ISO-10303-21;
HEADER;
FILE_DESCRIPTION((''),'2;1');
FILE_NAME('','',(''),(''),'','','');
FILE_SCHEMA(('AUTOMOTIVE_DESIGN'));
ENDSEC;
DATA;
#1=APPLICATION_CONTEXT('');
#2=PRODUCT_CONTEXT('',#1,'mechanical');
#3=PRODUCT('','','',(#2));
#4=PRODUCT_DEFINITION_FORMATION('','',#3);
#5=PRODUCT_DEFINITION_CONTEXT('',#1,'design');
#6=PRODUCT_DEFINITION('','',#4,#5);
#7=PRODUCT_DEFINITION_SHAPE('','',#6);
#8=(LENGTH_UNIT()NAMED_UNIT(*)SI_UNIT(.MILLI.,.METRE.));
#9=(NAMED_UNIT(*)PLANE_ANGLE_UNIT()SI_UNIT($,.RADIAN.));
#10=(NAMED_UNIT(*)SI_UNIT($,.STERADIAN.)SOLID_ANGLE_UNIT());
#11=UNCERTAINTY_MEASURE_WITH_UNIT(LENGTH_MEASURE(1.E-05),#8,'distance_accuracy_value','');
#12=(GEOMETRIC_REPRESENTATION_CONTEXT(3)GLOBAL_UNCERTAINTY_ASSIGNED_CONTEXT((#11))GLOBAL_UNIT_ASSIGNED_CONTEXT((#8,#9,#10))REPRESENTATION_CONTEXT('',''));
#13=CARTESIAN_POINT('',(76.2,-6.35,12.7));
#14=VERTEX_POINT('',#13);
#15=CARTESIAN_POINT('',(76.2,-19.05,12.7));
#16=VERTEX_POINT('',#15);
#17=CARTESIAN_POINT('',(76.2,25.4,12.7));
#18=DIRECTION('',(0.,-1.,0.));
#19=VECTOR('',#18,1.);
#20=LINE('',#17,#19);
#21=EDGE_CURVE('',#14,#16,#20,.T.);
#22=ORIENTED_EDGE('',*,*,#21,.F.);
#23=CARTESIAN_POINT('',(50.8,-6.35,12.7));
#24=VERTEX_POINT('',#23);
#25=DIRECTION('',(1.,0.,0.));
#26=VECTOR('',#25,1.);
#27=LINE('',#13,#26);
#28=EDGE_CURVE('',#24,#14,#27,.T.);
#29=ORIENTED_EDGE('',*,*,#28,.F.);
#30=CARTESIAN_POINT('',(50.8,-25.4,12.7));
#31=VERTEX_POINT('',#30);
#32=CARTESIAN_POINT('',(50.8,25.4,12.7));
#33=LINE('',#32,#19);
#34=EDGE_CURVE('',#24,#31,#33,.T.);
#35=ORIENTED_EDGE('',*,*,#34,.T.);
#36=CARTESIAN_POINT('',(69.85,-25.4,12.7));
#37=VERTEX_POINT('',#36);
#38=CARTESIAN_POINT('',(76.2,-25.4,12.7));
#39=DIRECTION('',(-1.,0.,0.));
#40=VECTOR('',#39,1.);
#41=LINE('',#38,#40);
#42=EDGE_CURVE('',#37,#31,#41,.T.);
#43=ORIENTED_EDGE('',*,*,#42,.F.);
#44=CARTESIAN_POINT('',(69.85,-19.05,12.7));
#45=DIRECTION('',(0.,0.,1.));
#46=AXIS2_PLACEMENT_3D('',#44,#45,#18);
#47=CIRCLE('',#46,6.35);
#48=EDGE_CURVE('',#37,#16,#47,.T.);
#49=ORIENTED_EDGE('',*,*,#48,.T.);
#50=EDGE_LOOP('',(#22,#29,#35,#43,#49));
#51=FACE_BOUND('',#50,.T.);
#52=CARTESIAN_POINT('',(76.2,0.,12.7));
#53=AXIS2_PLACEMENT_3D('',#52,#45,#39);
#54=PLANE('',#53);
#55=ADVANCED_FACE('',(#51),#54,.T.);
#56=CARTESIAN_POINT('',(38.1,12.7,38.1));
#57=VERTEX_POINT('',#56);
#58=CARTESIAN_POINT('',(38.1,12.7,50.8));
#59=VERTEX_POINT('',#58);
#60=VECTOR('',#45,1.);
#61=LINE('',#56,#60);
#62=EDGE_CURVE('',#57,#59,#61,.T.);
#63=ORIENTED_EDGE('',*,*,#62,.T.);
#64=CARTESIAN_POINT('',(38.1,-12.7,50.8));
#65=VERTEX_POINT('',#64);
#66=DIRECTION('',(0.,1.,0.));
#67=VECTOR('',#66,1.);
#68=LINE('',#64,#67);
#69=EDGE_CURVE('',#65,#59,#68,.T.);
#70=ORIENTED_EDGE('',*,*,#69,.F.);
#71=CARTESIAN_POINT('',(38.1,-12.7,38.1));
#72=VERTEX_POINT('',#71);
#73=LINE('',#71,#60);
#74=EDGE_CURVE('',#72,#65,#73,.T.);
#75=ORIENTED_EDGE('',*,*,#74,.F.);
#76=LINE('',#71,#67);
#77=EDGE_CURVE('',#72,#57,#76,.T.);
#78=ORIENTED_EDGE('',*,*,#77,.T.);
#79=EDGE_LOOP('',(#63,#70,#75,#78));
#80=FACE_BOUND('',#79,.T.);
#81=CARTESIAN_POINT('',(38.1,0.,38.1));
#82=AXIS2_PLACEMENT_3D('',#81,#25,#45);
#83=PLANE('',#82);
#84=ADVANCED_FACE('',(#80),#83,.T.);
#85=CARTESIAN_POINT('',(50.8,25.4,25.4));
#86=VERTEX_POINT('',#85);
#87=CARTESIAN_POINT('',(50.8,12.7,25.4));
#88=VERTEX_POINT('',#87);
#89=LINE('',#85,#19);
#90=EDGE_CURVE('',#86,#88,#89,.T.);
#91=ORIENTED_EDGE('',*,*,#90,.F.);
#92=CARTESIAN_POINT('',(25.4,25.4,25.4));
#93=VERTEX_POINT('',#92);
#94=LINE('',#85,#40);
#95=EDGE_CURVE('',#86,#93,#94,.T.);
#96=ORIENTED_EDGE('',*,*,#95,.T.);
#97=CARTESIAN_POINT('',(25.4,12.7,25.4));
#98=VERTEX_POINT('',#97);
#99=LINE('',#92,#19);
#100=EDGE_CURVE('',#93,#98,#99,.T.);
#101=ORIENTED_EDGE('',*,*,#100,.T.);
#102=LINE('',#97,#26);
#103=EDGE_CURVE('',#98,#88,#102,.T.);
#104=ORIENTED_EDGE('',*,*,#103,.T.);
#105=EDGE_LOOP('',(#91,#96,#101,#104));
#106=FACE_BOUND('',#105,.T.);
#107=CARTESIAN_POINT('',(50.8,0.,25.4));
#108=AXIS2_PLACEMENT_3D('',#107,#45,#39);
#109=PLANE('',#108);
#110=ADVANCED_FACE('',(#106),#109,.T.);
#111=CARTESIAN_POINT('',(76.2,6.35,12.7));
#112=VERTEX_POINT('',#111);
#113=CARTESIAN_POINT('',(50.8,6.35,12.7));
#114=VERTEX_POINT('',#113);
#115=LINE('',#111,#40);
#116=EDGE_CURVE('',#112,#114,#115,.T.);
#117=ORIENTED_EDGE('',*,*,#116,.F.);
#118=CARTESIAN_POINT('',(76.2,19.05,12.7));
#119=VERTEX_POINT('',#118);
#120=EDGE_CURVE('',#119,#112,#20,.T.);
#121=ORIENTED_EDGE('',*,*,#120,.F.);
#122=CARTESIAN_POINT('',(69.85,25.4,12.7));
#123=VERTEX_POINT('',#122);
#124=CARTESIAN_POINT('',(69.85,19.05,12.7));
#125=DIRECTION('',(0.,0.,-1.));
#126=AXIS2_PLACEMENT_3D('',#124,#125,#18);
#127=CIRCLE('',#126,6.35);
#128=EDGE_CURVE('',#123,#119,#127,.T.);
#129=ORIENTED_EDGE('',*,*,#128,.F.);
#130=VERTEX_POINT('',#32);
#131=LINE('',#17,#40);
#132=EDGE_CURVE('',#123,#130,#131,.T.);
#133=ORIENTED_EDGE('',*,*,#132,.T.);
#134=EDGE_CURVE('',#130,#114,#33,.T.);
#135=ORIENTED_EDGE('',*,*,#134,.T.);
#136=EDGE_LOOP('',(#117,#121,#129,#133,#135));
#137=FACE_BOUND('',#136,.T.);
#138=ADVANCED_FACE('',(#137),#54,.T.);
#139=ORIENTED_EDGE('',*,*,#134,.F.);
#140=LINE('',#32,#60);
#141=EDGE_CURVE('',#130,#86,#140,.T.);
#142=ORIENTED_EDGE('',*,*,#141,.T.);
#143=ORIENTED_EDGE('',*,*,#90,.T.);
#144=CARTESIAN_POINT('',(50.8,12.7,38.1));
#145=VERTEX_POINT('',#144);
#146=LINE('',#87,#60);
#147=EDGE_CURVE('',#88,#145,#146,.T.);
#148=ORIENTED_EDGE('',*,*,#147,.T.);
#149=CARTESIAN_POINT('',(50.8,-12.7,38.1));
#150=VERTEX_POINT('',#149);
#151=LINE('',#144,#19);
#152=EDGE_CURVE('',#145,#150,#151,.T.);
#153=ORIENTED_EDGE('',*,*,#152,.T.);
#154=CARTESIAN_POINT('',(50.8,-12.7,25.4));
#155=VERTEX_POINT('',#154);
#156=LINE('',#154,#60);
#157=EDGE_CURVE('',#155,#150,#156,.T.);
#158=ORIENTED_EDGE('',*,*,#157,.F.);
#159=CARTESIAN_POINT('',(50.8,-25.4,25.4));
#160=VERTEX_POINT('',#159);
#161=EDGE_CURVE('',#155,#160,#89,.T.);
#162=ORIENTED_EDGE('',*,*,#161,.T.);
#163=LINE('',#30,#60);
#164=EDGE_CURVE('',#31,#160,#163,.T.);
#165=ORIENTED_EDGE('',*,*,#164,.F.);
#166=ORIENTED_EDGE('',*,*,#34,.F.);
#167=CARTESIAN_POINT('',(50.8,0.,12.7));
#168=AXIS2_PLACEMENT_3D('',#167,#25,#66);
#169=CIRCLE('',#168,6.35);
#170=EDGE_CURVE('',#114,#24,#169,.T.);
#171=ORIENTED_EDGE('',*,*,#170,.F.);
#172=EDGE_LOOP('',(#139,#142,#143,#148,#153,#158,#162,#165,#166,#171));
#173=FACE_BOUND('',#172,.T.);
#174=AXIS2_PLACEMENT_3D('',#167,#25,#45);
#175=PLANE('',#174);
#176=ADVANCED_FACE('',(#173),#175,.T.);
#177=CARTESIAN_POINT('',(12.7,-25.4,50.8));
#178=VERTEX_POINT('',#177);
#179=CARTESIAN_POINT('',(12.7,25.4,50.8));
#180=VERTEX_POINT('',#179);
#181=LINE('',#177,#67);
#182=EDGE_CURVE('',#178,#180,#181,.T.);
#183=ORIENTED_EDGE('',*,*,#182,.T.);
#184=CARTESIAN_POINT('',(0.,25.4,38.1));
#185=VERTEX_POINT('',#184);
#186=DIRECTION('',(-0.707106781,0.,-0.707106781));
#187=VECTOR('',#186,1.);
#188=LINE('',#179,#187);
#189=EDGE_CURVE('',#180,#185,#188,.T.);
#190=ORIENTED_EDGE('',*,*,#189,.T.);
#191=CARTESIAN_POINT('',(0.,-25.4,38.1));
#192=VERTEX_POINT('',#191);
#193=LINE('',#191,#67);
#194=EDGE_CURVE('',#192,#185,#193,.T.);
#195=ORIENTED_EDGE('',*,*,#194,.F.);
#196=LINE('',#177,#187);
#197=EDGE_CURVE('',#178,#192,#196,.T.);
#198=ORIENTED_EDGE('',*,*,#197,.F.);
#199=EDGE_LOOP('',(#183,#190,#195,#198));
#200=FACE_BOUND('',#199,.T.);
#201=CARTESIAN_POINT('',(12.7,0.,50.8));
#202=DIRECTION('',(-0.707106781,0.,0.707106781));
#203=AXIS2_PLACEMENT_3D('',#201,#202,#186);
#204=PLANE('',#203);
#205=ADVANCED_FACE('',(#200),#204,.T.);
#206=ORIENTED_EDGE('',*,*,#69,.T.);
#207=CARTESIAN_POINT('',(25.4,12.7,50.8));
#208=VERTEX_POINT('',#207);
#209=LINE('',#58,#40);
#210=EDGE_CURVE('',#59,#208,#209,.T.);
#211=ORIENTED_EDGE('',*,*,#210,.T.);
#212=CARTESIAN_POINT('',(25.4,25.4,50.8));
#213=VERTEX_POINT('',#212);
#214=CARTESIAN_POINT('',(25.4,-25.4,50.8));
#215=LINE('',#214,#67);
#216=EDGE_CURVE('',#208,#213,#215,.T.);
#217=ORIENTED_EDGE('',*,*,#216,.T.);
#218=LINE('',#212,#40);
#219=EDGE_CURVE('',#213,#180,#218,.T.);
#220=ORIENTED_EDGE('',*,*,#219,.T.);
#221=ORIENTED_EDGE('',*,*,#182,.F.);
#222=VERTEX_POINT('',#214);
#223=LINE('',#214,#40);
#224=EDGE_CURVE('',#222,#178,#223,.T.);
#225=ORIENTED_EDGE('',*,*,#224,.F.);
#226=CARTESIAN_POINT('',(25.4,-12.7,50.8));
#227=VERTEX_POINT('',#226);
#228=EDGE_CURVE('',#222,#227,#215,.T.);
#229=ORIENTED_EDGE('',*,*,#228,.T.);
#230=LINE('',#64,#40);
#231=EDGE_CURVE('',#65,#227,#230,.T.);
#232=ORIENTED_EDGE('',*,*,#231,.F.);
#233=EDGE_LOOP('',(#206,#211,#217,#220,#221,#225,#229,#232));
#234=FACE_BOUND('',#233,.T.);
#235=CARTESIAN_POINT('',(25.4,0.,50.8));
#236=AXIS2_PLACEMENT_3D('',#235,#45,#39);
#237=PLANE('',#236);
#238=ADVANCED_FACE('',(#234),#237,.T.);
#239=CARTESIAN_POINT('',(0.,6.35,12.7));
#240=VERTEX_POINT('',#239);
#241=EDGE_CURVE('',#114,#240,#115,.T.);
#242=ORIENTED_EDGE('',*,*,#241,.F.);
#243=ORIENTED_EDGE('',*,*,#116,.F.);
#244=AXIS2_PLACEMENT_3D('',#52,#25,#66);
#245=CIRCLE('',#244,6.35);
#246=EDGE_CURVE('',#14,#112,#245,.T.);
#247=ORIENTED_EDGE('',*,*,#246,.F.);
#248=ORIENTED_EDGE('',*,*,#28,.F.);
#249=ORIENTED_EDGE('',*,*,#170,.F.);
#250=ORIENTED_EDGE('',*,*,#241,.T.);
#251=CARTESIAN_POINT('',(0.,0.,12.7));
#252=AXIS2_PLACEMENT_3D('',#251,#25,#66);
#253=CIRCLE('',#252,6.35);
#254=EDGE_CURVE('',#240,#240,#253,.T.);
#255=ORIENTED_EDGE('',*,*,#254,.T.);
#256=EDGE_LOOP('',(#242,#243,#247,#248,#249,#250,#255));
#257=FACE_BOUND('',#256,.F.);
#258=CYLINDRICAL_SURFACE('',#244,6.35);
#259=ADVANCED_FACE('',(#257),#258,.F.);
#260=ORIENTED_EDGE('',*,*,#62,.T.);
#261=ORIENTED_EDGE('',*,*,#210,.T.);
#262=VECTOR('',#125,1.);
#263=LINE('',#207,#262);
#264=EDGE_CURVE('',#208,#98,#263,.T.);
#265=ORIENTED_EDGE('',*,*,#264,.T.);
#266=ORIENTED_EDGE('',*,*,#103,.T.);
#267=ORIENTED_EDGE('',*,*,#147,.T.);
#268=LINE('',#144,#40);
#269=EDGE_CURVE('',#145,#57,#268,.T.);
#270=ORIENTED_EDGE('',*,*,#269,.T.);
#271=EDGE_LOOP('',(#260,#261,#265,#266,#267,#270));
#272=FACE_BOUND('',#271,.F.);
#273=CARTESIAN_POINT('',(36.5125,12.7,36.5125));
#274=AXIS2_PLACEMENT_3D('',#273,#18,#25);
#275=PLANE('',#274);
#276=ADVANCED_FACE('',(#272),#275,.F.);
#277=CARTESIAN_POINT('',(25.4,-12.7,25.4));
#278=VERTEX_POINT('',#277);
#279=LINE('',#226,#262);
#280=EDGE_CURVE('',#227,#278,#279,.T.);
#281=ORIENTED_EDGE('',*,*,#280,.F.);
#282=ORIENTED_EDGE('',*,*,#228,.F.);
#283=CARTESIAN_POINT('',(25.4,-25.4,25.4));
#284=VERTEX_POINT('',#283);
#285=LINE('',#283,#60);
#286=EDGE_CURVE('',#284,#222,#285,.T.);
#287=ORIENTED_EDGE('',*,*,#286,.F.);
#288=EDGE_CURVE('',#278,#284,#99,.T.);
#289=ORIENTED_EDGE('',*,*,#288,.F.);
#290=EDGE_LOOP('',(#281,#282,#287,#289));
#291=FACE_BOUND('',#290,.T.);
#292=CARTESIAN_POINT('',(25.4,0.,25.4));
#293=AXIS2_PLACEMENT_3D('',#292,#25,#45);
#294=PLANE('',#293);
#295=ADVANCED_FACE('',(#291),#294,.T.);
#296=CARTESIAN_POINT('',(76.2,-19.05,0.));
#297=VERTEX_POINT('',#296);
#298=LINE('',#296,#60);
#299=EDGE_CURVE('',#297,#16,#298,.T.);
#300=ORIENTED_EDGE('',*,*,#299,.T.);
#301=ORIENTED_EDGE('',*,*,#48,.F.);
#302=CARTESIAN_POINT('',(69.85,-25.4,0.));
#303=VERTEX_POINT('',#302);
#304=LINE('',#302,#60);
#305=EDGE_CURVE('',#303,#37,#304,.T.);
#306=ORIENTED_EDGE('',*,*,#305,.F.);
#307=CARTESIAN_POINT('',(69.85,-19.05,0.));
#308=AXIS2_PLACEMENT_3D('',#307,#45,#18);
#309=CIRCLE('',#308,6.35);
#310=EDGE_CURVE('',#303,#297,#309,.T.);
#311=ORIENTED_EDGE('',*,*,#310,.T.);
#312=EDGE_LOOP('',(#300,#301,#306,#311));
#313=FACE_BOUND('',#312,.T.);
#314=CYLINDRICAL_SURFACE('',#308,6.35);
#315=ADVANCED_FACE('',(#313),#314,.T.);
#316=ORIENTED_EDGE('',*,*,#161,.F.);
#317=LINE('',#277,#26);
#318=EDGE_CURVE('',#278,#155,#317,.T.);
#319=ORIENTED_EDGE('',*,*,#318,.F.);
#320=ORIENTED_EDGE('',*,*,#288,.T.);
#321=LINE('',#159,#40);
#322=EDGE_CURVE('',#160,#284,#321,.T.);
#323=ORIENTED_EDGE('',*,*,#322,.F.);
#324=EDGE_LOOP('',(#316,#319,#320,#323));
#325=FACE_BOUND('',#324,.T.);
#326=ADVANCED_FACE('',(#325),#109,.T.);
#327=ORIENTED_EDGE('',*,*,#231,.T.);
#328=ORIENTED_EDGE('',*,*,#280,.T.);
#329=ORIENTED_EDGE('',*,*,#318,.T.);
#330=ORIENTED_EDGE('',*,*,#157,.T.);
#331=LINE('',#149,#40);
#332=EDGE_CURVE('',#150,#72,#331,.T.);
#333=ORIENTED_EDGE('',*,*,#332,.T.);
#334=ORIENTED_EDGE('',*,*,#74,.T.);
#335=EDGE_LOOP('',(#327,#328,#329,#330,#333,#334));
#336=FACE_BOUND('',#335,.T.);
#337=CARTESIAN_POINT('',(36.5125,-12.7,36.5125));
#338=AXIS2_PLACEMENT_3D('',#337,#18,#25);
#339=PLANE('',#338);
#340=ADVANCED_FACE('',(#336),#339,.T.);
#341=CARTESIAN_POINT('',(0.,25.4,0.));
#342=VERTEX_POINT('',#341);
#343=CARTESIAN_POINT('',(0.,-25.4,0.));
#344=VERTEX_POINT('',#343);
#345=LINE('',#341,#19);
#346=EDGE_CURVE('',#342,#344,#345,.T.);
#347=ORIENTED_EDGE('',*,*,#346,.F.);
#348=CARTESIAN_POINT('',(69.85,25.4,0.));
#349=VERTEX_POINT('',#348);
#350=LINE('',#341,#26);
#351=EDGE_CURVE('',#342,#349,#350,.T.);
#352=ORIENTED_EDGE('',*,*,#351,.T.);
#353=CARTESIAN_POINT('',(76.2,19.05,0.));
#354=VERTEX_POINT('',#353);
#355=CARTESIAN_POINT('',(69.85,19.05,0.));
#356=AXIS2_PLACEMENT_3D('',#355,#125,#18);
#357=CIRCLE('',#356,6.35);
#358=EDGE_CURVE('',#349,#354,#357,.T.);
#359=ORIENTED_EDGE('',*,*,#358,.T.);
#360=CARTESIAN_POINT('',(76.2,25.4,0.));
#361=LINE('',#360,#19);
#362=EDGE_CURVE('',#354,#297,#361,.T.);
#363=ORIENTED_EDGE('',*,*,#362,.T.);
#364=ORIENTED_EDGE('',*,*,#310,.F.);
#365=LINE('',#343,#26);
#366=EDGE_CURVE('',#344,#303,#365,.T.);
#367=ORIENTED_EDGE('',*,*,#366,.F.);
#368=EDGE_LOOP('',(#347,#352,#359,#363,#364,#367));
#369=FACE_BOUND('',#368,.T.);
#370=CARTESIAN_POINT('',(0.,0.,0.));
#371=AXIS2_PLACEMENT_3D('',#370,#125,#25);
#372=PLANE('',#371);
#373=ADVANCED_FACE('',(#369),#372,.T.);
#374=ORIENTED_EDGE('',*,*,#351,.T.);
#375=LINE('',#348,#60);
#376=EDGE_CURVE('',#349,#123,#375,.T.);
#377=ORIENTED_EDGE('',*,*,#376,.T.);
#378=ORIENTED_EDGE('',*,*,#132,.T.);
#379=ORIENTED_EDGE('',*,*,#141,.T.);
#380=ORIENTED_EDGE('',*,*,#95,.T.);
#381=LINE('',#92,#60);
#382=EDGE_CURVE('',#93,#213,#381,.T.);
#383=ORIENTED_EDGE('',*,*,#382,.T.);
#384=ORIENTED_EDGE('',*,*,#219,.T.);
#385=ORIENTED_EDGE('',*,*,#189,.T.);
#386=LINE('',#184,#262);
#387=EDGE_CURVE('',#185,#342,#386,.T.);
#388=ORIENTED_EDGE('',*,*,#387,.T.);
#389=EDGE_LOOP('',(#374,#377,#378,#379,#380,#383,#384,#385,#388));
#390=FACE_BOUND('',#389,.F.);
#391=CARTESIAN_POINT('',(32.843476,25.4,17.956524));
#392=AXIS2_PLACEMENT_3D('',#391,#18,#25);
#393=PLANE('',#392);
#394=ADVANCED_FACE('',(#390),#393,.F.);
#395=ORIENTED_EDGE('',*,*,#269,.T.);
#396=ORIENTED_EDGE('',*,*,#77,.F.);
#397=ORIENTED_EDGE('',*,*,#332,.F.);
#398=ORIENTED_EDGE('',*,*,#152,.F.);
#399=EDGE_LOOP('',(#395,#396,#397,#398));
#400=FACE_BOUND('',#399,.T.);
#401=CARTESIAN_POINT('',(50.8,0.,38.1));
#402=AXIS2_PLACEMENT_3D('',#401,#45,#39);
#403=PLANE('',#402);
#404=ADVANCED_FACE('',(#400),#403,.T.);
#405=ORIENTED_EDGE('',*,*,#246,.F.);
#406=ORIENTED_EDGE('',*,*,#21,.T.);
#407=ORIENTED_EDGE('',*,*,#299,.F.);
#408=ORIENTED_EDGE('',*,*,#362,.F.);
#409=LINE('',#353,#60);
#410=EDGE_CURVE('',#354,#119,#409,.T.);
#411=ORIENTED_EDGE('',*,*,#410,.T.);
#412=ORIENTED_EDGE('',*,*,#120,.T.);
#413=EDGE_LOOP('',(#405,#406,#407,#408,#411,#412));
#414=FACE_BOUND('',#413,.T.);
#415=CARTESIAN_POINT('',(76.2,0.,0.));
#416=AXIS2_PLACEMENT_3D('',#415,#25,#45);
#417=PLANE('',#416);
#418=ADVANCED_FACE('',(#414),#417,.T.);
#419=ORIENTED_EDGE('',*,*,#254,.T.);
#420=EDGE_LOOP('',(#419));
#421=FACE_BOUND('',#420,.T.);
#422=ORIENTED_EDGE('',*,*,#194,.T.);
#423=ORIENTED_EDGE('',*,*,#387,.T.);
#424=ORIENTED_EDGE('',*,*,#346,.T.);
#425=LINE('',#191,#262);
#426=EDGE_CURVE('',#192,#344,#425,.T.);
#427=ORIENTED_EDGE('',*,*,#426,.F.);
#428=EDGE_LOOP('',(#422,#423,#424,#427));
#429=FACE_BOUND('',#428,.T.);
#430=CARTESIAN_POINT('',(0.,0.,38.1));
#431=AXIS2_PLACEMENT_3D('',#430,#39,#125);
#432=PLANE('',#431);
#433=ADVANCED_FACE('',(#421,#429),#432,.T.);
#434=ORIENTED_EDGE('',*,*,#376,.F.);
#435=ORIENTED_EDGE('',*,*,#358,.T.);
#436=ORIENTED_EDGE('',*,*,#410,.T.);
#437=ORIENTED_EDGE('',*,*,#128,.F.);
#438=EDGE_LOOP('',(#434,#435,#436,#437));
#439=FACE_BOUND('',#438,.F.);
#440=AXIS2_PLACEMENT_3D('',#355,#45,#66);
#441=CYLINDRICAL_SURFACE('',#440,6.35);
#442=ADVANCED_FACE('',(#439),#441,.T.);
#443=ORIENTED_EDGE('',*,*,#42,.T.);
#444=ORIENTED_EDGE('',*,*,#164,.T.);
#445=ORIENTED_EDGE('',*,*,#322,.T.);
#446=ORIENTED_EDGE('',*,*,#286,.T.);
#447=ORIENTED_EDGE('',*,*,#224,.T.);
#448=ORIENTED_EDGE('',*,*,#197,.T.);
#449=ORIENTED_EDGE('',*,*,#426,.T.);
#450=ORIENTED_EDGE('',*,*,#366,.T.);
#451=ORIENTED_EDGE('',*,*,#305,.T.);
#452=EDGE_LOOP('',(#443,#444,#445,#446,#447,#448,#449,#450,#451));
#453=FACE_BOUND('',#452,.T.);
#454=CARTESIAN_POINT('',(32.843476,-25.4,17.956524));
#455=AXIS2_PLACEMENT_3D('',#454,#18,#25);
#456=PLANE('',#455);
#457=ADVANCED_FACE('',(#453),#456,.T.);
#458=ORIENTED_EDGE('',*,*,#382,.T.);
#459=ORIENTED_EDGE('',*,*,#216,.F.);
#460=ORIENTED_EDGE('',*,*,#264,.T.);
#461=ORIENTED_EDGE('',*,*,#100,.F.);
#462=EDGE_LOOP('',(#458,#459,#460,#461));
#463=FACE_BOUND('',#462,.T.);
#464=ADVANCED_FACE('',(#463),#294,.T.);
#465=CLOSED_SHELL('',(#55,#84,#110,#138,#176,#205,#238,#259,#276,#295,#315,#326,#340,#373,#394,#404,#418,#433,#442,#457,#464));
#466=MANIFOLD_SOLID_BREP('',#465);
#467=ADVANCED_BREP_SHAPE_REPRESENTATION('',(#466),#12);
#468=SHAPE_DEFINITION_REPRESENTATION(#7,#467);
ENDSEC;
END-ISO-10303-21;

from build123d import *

# Parameters (mm, degrees)
F1_DEPTH = 25.4
F3_DEPTH = 12.7
F4_R     = 6.35
F5_DEPTH = 76.201
F6_R     = 6.35


with BuildPart() as f1:
    # F0 (on Front) → F1 (new body, symmetric)
    with BuildSketch(Plane.XZ):
        Polygon((0, 38.1), (0, 0), (76.2, 0), (76.2, 12.7), (50.8, 12.7), (50.8, 25.4), (25.4, 25.4), (25.4, 50.8), (12.7, 50.8), align=None)
    extrude(amount=F1_DEPTH, both=True)

    # F2 (on Front) → F3 (join, symmetric)
    with BuildSketch(Plane.XZ):
        Polygon((25.4, 50.8), (25.4, 25.4), (50.8, 25.4), (50.8, 38.1), (38.1, 38.1), (38.1, 50.8), align=None)
    extrude(amount=F3_DEPTH, both=True)

    # F4 (on face) → F5 (cut, through all)
    with BuildSketch(Plane.YZ.offset(76.2)):
        with Locations((0, 12.7)):
            Circle(F4_R)
    extrude(amount=-F5_DEPTH, mode=Mode.SUBTRACT)

    # F6
    f6_edges = [f1.edges().sort_by_distance(p)[0] for p in [
        (76.2, -25.4, 6.35),
        (76.2, 25.4, 6.35),
    ]]
    fillet(f6_edges, radius=F6_R)


solid = f1.part
